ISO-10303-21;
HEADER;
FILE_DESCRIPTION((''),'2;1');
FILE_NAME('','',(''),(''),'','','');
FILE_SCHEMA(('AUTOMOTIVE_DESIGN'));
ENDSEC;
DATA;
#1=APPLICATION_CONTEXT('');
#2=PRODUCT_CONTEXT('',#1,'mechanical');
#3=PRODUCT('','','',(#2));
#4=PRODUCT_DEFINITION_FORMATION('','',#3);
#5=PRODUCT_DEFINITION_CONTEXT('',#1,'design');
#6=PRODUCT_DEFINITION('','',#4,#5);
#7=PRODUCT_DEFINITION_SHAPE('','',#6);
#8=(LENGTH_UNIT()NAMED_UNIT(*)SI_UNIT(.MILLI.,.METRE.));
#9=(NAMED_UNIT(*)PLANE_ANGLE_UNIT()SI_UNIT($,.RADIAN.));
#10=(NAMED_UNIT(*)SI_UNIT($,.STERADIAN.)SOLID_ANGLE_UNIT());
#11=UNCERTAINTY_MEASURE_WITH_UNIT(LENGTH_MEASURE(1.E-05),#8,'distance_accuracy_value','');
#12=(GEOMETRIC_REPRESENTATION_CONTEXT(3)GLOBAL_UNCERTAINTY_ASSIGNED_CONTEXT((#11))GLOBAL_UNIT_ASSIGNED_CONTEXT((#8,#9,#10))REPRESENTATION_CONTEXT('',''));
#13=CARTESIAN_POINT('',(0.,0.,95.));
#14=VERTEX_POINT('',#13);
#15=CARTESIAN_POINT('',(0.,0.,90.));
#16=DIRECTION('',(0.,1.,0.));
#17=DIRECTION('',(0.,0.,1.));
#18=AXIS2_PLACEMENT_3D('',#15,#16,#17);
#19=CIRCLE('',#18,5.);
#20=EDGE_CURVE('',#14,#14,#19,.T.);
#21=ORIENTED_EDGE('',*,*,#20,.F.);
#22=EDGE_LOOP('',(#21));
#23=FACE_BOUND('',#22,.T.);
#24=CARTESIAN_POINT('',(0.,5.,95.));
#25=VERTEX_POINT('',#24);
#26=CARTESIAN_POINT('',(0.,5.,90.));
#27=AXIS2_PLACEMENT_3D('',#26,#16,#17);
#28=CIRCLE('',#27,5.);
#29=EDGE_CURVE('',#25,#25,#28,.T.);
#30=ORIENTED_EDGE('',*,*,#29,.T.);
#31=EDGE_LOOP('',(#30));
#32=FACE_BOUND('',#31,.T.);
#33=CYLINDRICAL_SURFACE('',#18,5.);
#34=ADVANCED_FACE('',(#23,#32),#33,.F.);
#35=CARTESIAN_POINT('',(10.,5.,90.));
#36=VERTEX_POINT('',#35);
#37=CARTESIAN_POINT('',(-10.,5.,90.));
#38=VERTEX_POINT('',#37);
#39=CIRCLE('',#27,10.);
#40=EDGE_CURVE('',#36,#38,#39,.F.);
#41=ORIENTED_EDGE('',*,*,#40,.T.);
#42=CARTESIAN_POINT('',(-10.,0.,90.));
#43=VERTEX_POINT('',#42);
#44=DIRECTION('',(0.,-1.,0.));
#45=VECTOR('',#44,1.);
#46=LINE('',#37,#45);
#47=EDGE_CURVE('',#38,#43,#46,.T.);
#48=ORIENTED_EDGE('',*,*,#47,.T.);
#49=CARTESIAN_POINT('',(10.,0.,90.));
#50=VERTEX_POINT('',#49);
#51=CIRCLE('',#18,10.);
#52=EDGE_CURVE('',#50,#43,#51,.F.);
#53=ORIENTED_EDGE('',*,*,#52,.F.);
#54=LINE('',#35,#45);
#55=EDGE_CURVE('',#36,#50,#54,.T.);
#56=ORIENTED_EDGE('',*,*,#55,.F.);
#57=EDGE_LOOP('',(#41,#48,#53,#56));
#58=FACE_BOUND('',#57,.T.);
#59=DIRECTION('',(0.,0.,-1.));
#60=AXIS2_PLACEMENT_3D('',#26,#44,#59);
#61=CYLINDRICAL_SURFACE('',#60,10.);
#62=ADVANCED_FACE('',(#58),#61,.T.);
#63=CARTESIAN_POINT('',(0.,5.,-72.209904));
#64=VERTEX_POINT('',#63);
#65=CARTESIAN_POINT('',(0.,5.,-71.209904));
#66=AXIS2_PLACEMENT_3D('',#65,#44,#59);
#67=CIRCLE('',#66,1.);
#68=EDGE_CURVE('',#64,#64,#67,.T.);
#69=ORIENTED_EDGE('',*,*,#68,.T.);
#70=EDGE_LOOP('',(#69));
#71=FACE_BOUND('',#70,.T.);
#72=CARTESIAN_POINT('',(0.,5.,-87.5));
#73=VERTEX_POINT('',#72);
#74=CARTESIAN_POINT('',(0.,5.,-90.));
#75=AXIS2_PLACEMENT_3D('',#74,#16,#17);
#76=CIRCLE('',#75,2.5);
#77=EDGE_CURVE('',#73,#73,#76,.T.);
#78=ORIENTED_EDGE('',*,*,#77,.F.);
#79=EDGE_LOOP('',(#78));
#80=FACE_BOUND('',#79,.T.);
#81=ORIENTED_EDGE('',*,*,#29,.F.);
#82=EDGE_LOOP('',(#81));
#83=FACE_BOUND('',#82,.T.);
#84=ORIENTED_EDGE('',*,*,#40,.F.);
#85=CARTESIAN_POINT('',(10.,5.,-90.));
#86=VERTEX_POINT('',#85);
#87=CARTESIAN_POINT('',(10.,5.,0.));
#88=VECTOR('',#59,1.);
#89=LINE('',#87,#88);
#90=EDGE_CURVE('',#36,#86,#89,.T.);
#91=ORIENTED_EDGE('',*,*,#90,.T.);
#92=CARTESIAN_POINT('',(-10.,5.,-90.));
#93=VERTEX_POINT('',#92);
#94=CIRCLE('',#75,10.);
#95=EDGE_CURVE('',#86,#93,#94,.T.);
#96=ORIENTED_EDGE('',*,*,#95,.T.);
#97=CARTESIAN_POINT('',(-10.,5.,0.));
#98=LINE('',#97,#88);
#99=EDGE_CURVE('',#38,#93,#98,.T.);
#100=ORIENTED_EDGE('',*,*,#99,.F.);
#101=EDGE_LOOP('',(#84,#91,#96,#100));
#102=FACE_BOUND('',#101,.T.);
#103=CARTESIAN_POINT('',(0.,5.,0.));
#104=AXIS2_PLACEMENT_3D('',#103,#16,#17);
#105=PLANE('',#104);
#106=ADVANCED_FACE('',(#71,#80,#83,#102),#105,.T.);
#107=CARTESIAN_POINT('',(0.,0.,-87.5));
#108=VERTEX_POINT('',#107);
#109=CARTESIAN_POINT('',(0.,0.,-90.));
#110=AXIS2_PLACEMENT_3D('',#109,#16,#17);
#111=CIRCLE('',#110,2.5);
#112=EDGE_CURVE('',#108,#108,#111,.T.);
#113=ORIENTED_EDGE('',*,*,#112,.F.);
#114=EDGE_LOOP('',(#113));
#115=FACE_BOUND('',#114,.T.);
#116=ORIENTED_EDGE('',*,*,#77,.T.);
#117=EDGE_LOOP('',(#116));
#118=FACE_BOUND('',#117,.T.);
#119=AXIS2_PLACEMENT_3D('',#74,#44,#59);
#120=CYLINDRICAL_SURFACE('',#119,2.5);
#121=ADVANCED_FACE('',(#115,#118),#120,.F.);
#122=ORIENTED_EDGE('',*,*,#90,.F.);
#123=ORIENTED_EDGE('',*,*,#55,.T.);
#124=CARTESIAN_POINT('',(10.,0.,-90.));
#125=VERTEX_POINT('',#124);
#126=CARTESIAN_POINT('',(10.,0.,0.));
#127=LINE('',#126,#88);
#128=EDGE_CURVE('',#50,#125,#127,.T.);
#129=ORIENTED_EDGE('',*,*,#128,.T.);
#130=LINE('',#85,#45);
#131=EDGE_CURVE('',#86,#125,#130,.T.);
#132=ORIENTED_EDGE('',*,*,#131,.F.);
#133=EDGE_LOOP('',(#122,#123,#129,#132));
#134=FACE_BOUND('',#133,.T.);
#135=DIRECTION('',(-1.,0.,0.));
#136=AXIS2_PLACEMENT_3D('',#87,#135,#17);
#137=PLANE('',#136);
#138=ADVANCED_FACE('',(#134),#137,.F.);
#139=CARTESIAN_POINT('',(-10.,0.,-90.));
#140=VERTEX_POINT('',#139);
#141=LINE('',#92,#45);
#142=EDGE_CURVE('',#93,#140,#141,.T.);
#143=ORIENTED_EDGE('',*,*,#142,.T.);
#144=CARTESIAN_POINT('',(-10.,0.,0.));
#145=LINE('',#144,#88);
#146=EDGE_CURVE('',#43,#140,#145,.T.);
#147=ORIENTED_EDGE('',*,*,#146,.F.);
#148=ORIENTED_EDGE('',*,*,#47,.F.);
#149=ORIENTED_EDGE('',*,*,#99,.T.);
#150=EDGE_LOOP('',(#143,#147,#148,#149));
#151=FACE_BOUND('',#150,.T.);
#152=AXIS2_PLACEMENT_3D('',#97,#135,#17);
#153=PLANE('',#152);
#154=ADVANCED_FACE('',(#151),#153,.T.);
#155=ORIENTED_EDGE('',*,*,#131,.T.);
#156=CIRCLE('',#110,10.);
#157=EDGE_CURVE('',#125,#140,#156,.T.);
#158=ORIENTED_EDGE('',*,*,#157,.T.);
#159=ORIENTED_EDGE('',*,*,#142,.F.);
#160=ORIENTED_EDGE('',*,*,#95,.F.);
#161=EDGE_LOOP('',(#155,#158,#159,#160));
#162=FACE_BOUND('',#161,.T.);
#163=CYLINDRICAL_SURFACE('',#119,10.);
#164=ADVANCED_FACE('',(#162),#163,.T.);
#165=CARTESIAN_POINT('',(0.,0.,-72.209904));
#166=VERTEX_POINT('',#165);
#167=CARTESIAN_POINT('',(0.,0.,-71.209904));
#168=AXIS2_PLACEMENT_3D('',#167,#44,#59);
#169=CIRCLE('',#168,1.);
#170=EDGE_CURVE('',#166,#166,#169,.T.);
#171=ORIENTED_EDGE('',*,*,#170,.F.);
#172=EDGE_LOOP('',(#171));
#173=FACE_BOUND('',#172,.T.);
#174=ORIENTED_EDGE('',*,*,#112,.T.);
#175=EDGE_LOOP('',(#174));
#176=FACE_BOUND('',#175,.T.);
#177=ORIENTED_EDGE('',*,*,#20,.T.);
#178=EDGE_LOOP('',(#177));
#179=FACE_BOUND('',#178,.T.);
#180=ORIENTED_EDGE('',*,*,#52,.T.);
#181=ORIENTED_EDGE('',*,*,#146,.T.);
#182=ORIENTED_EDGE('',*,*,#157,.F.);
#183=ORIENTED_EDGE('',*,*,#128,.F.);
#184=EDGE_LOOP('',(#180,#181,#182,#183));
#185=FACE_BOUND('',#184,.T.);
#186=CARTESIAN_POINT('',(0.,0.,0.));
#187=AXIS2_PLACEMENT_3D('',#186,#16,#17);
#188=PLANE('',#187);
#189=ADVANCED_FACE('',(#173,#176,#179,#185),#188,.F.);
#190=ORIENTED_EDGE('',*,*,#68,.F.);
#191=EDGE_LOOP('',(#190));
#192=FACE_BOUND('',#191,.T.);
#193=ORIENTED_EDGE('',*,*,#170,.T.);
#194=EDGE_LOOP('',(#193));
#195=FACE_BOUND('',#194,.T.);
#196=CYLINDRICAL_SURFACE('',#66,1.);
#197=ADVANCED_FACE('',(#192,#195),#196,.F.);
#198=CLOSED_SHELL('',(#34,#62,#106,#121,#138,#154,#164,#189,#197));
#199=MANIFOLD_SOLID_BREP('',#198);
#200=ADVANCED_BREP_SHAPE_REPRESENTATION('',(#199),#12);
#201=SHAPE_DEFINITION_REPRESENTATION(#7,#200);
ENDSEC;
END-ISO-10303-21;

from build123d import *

# Parameters (mm, degrees)
SKETCH1_R           = 2.5
BOSS_EXTRUDE1_DEPTH = 5
SKETCH2_R           = 1
CUT_EXTRUDE1_DEPTH  = 101.623058987
SKETCH3_R           = 5
BEARINGBORE_DEPTH   = 101.623058987


with BuildPart() as part:
    # Sketch1 → Boss-Extrude1 (new body)
    with BuildSketch(Plane(origin=(0, 0, 0), x_dir=(1, 0, 0), z_dir=(0, 1, 0))):
        with BuildLine():
            Line((-10, -90), (-10, 90))
            ThreePointArc((-10, 90), (0, 100), (10, 90))
            Line((10, 90), (10, -90))
            ThreePointArc((10, -90), (0, -100), (-10, -90))
        make_face()
        with Locations(Location((0, 90, 0), (0, 0, 270))):
            Circle(SKETCH1_R, mode=Mode.SUBTRACT)
    extrude(amount=BOSS_EXTRUDE1_DEPTH)

    # Sketch2 → Cut-Extrude1 (cut, through all)
    with BuildSketch(Plane.XZ):
        with Locations(Location((0, -71.209904471, 0), (0, 0, 270))):
            Circle(SKETCH2_R)
    extrude(amount=-CUT_EXTRUDE1_DEPTH, mode=Mode.SUBTRACT)

    # Sketch3 → BearingBore (cut, through all)
    with BuildSketch(Plane(origin=(0, 5, 0), x_dir=(1, 0, 0), z_dir=(0, 1, 0))):
        with Locations(Location((0, -90, 0), (0, 0, 270))):
            Circle(SKETCH3_R)
    extrude(amount=-BEARINGBORE_DEPTH, mode=Mode.SUBTRACT)


solid = part.part
